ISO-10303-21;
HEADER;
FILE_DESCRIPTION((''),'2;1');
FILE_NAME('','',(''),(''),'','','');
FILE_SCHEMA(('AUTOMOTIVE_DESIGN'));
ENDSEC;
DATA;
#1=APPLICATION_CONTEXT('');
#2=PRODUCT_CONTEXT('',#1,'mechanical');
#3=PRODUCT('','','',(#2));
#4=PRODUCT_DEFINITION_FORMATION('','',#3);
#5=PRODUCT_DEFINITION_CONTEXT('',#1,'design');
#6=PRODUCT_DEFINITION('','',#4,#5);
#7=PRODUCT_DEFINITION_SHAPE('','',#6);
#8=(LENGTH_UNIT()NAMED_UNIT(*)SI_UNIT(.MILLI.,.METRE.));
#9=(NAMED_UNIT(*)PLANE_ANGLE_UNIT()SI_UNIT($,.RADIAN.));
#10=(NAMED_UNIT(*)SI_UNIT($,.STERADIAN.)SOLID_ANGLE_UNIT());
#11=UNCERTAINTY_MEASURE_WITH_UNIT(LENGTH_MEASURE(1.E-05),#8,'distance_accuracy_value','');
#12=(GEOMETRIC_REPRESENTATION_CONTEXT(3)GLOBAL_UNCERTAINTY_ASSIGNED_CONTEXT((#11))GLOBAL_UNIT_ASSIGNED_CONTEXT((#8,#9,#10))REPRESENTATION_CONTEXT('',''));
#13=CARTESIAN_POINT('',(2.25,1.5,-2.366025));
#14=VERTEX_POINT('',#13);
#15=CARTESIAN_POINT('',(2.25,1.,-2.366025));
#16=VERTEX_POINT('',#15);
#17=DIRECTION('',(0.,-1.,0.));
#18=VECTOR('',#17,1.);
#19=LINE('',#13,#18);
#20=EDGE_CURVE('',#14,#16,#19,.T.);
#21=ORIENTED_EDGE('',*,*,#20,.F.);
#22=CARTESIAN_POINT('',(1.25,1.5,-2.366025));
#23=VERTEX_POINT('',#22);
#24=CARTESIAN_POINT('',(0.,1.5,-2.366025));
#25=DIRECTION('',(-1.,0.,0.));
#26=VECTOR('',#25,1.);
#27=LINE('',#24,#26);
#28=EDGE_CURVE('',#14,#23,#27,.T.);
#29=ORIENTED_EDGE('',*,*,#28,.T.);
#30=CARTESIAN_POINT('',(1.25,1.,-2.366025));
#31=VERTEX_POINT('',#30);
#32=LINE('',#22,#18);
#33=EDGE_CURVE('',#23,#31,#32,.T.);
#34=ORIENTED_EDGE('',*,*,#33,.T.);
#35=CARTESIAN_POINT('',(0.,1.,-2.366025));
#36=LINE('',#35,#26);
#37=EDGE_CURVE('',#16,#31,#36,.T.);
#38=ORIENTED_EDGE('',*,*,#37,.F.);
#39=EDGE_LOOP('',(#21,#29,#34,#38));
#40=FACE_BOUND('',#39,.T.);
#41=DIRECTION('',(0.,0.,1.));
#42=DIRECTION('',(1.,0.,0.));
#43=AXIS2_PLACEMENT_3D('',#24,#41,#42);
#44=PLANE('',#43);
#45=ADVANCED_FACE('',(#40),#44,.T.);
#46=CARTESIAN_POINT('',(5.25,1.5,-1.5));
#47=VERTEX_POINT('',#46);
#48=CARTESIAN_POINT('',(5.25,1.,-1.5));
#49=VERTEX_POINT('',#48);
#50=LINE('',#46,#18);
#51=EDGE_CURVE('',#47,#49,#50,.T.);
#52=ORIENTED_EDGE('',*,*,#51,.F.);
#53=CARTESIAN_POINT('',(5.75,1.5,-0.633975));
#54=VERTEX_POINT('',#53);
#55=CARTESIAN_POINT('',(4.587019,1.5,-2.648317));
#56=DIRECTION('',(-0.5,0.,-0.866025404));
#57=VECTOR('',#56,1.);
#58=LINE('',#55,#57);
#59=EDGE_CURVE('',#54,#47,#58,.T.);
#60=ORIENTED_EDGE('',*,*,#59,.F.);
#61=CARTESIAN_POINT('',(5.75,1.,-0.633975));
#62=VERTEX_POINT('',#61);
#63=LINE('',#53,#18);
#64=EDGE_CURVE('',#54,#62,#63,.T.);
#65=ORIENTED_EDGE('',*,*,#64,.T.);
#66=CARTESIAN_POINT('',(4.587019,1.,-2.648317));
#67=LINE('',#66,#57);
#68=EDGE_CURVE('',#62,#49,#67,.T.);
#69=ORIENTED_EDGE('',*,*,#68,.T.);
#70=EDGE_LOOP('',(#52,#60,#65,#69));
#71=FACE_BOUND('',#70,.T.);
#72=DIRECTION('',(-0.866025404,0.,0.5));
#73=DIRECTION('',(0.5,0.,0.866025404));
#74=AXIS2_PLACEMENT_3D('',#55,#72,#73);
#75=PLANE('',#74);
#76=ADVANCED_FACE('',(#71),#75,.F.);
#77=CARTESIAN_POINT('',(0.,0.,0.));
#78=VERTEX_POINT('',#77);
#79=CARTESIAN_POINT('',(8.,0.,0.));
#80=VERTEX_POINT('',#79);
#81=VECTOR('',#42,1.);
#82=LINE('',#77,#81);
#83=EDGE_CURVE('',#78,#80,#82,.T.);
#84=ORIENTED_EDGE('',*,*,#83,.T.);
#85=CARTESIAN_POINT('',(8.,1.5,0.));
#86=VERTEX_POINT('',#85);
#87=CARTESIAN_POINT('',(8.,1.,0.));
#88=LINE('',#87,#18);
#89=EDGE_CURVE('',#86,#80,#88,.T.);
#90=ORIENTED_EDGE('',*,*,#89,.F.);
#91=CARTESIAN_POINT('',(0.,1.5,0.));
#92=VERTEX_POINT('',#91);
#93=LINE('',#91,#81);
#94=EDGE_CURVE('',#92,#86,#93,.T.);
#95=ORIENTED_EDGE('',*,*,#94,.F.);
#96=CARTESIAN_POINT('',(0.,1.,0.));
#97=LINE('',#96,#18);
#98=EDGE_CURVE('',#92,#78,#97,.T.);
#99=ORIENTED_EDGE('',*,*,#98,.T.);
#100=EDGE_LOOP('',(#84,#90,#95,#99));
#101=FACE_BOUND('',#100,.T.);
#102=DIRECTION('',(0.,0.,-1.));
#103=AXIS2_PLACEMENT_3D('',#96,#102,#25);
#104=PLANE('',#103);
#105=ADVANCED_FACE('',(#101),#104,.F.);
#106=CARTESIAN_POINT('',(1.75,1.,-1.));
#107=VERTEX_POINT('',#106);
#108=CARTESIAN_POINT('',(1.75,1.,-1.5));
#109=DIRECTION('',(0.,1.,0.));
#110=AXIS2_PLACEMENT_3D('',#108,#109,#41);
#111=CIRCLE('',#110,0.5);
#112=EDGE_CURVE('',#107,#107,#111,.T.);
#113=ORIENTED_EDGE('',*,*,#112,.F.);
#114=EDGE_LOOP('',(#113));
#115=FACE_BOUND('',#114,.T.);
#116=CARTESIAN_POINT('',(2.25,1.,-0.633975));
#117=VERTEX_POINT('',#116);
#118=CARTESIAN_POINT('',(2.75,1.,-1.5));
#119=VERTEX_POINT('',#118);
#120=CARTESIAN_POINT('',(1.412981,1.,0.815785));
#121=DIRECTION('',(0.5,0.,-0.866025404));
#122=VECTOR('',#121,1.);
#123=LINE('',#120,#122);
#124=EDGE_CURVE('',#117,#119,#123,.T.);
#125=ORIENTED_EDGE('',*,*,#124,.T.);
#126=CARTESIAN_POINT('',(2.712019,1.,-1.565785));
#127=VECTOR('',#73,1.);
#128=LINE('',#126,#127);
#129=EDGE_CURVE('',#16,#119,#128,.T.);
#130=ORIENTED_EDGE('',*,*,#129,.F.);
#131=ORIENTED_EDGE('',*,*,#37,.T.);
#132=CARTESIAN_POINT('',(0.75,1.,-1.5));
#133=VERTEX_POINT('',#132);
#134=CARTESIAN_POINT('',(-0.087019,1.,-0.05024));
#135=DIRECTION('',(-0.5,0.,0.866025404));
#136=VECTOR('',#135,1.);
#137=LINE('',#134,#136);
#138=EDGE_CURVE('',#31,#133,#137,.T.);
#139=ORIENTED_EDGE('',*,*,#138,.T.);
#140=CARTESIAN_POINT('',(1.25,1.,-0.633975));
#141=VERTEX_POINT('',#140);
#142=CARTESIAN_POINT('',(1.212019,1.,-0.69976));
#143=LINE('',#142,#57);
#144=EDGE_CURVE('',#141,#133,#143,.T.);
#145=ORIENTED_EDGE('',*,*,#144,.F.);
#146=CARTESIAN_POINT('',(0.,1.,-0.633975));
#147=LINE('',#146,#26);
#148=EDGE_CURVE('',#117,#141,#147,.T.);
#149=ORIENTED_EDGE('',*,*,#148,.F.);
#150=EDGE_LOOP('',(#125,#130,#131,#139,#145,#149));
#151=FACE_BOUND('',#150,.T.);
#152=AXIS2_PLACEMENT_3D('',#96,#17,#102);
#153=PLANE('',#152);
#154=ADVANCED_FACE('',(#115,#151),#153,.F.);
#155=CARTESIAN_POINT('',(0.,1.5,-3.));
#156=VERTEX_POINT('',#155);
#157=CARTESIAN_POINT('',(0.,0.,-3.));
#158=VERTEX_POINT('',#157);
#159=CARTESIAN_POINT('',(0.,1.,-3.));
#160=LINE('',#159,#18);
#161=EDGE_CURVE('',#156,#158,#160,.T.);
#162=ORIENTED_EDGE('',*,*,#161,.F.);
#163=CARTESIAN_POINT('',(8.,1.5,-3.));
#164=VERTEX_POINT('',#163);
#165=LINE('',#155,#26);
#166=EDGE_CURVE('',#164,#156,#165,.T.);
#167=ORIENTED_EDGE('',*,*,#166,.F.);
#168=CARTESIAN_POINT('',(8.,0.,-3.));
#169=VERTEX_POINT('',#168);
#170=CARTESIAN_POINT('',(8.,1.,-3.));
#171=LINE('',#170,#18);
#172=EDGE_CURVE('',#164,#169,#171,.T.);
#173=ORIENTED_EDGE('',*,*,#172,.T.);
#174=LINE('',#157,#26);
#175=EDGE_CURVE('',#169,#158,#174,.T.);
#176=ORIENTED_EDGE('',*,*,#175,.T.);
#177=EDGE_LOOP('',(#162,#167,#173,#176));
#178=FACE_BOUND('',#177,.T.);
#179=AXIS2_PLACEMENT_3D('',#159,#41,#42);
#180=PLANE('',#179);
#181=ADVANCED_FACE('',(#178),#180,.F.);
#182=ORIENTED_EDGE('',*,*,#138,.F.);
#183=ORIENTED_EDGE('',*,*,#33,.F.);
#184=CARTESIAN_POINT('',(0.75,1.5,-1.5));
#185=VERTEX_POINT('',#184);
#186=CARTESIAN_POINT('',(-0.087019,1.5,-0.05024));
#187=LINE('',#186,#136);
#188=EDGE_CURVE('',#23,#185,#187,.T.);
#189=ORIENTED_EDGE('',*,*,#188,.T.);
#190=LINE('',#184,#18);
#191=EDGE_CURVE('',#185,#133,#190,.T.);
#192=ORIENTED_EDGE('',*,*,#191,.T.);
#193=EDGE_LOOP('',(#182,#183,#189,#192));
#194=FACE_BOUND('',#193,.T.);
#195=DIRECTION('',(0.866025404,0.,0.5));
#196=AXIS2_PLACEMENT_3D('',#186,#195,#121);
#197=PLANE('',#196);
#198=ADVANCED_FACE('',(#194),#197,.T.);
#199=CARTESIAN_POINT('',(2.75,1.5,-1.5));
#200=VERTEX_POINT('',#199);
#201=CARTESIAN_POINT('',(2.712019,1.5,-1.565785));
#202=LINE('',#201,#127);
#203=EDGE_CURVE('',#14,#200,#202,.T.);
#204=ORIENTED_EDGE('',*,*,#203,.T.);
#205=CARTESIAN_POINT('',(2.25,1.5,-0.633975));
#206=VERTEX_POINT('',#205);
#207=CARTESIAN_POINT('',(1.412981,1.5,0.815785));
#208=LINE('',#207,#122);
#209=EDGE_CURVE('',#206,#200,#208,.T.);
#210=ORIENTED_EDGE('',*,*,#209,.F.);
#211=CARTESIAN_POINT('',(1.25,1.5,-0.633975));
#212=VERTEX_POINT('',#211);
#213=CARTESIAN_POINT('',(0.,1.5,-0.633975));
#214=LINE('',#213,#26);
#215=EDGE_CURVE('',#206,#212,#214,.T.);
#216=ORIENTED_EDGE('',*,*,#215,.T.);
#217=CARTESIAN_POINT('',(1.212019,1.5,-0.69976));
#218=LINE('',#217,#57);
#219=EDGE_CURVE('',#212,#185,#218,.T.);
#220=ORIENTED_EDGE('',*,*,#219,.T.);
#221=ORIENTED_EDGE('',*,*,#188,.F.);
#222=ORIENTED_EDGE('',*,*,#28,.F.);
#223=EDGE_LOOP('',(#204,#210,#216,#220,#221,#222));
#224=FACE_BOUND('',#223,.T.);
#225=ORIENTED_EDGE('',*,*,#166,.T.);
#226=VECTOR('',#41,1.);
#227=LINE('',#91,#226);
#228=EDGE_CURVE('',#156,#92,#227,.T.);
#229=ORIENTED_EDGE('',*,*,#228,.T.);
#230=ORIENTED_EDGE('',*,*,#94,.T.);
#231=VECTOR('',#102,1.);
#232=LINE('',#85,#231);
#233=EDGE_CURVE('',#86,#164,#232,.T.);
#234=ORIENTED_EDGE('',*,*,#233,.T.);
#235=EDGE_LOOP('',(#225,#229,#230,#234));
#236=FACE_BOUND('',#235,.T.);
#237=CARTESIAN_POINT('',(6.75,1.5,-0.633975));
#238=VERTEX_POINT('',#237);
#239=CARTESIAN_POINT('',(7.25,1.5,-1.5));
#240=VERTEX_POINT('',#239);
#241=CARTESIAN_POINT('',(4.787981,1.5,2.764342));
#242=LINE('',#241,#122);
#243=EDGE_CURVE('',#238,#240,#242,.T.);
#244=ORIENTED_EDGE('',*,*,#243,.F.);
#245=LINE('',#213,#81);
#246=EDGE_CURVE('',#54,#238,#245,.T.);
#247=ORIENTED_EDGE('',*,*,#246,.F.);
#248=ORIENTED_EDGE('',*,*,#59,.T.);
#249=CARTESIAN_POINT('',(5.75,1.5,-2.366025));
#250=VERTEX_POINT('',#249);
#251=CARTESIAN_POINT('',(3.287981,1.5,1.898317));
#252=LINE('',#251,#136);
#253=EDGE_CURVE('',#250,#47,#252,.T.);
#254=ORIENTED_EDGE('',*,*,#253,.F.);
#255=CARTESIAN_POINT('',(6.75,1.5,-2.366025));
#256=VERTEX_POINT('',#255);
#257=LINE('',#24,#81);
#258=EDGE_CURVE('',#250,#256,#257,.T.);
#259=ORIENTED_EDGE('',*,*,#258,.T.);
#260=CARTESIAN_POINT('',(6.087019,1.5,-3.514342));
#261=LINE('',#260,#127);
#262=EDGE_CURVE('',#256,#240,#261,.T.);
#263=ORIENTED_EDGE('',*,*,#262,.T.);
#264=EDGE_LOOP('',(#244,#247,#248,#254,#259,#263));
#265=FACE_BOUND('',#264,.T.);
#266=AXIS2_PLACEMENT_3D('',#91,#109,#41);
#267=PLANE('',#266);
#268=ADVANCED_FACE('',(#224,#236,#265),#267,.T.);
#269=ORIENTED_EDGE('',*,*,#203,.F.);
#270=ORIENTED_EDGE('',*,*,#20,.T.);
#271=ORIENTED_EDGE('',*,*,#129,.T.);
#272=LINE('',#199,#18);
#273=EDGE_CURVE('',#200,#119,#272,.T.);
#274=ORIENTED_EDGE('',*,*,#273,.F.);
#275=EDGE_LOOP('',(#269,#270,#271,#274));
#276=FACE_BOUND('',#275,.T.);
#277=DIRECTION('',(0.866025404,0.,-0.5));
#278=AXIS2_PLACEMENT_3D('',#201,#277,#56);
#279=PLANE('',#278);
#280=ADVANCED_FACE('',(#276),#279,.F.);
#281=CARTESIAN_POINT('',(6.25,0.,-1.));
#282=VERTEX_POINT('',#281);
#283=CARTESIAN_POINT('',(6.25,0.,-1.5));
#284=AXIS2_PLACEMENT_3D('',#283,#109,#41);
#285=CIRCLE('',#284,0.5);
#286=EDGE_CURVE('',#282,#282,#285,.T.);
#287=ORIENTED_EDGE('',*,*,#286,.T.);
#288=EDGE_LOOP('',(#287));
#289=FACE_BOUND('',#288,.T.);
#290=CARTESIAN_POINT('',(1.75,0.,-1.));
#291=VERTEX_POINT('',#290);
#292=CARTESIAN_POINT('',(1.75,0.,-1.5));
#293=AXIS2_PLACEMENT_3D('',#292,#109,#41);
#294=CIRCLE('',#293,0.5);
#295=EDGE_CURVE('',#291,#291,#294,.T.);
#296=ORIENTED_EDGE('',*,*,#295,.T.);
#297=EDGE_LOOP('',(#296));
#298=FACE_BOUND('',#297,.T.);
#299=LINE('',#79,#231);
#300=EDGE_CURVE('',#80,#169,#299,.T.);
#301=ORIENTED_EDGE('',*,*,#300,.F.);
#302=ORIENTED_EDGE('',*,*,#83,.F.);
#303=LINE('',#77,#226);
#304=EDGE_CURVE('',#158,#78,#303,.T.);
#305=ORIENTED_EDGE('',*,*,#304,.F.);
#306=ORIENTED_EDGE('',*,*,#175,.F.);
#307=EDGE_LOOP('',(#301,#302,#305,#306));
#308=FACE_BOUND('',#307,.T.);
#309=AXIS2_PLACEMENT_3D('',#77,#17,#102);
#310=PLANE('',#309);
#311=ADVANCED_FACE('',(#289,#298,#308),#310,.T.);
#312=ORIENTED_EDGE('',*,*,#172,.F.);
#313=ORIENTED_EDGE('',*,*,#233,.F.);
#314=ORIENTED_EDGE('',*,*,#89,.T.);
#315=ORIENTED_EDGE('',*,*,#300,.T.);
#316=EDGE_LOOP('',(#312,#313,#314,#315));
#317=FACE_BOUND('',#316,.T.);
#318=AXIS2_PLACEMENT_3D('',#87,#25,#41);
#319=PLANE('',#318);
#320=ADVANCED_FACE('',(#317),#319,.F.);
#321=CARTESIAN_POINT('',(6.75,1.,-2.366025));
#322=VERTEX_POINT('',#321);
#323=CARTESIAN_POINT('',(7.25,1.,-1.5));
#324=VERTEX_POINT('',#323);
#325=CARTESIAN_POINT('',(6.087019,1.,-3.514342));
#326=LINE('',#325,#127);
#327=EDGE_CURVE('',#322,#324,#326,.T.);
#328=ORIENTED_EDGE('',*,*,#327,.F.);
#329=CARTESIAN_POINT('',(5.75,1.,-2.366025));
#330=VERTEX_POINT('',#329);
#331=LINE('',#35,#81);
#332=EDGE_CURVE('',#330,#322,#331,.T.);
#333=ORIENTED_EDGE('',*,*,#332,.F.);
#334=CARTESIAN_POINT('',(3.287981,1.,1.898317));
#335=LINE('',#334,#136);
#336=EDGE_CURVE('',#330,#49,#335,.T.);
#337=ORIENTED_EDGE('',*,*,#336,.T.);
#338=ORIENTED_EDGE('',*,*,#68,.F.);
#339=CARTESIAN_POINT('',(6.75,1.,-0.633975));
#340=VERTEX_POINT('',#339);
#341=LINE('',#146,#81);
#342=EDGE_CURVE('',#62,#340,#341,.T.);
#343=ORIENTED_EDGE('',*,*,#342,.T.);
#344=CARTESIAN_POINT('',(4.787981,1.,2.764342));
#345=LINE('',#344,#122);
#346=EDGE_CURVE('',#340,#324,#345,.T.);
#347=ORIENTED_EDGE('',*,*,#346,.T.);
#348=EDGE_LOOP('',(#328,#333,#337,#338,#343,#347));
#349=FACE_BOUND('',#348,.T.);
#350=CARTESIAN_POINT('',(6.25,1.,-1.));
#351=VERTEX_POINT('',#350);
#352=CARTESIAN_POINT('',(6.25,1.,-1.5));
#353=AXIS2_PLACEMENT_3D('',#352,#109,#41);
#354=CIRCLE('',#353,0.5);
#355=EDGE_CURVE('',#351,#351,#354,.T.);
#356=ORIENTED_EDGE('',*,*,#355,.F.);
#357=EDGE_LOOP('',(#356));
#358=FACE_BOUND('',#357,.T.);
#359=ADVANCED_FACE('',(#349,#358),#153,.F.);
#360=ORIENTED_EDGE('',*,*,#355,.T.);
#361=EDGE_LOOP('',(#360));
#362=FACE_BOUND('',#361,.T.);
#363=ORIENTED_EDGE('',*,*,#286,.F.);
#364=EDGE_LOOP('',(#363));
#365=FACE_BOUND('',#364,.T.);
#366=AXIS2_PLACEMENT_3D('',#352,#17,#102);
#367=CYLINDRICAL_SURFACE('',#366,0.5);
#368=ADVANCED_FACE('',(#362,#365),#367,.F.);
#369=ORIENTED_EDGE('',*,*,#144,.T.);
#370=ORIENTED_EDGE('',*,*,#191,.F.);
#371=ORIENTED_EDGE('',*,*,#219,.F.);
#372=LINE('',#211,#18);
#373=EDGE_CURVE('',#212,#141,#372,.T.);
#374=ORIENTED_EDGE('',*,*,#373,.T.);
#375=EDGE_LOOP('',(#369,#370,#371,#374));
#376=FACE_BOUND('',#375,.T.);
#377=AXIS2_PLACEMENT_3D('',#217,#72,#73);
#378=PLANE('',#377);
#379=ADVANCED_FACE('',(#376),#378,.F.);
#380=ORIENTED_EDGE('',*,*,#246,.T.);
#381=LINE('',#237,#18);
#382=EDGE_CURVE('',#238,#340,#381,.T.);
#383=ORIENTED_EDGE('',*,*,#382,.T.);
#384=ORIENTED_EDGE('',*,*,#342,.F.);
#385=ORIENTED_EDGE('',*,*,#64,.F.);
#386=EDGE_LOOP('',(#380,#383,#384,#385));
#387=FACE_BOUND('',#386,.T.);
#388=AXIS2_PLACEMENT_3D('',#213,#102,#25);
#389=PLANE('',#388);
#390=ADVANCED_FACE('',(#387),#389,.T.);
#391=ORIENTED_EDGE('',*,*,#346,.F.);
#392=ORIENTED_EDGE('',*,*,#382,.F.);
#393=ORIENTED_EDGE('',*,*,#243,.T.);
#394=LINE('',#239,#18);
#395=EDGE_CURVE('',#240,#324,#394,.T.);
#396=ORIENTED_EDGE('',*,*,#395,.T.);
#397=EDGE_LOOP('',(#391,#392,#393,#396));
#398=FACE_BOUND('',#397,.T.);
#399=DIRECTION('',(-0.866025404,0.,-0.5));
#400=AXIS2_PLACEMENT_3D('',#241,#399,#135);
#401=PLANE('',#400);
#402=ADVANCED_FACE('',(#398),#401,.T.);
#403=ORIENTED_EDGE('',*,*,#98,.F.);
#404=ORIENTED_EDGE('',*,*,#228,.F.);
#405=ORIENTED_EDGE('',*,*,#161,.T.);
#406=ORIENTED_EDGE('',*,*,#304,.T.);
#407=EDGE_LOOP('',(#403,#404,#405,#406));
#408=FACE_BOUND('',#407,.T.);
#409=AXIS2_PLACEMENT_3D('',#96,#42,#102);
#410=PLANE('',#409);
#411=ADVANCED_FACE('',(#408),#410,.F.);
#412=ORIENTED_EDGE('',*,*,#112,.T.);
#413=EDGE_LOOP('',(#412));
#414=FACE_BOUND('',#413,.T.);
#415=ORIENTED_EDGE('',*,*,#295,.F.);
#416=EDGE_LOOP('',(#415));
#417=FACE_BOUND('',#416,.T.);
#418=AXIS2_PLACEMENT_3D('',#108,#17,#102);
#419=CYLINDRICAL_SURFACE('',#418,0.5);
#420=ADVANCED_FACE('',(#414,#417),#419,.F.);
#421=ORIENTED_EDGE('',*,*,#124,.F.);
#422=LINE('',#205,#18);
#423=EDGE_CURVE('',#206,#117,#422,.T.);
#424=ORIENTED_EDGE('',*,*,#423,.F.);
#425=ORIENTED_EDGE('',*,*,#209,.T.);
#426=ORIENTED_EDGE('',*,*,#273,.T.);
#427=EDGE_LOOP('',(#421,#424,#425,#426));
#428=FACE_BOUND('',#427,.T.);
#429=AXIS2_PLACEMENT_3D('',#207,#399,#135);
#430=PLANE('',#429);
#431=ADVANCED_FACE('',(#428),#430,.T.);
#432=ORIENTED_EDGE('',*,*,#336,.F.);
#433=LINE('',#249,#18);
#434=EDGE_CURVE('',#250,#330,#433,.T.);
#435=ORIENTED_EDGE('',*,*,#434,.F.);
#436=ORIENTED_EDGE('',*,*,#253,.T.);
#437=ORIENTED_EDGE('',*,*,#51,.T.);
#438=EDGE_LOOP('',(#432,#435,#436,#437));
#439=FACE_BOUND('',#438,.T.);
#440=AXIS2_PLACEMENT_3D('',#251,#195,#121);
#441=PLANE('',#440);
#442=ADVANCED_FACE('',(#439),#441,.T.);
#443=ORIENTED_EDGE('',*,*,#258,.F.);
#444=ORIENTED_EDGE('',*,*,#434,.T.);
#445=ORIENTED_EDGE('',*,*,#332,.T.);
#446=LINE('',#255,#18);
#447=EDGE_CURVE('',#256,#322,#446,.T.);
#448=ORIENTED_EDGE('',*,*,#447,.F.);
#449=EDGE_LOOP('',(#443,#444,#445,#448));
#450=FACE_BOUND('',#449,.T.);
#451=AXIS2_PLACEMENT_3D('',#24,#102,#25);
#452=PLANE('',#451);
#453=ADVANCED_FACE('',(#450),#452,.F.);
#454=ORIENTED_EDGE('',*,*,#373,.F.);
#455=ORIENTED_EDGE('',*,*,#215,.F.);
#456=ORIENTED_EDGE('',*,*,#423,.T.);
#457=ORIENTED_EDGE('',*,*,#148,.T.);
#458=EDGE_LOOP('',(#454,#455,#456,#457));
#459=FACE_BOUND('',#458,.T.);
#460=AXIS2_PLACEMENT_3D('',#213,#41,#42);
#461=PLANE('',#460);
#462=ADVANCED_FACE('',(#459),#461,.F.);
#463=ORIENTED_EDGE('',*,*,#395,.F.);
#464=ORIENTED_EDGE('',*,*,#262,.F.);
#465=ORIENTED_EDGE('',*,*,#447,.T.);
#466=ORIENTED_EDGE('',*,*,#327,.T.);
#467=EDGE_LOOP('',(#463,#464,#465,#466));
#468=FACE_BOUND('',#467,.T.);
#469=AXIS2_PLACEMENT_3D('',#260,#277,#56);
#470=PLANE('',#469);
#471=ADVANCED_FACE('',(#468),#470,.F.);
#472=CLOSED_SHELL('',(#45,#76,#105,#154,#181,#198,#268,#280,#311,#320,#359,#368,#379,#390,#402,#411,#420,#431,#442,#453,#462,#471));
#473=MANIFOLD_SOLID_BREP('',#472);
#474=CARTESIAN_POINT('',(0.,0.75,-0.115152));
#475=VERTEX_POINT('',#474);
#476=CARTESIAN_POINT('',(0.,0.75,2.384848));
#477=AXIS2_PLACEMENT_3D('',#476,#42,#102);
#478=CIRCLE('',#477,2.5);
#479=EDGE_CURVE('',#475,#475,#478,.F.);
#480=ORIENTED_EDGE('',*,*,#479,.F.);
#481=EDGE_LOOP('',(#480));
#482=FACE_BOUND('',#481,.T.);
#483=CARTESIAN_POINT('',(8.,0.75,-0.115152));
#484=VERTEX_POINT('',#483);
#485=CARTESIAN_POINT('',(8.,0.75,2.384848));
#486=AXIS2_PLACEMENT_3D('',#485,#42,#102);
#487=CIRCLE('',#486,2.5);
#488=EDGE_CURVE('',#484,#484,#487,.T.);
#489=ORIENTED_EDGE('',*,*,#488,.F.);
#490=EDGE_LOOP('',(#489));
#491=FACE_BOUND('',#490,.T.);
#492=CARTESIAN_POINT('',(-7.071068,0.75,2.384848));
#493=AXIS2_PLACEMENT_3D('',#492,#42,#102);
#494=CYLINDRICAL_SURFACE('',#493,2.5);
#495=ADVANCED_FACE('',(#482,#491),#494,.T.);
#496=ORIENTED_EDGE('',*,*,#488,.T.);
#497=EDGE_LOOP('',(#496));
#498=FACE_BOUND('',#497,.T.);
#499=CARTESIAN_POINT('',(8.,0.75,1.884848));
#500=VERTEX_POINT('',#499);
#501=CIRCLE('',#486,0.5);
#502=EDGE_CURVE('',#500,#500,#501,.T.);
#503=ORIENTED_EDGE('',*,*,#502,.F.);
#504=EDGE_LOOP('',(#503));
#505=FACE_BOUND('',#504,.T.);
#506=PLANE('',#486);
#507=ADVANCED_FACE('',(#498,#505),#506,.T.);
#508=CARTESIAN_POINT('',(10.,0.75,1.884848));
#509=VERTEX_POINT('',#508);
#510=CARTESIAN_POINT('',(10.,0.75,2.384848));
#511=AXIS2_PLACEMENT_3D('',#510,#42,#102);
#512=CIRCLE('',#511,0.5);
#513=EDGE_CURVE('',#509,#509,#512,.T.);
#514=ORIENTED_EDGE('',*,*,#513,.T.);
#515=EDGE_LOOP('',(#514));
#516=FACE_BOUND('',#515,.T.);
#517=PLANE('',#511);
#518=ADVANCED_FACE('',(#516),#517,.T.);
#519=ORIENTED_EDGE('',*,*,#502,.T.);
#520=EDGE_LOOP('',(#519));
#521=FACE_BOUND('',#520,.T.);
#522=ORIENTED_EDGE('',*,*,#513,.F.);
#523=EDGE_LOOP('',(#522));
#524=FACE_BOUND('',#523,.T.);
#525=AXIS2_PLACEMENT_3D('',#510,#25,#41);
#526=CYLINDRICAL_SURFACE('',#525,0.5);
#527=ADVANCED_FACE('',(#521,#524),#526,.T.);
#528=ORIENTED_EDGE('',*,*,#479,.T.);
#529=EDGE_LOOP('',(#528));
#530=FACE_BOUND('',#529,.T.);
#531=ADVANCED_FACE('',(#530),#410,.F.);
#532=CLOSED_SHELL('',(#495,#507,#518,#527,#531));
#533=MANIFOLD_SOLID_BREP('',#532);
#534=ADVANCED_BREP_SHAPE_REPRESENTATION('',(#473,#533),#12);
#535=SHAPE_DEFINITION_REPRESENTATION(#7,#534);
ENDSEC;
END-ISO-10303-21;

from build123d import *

# Parameters (mm, degrees)
SKETCH_1_W      = 8
SKETCH_1_H      = 3
SKETCH_1_R      = 0.5
EXTRUDE_1_DEPTH = 1
SKETCH_2_W      = 8
SKETCH_2_H      = 3
EXTRUDE_2_DEPTH = 0.5
SKETCH_3_R      = 2.5
EXTRUDE_3_DEPTH = 8
SKETCH_6_R      = 0.5
EXTRUDE_4_DEPTH = 2


with BuildPart() as part:
    # 草图1 → 凸台-拉伸1 (new body)
    with BuildSketch(Plane(origin=(0, 0, 0), x_dir=(1, 0, 0), z_dir=(0, 1, 0))):
        with Locations((4, 1.5)):
            Rectangle(SKETCH_1_W, SKETCH_1_H)
        with Locations(Location((1.75, 1.5, 0), (0, 0, 270))):
            Circle(SKETCH_1_R, mode=Mode.SUBTRACT)
        with Locations(Location((6.25, 1.5, 0), (0, 0, 270))):
            Circle(SKETCH_1_R, mode=Mode.SUBTRACT)
    extrude(amount=EXTRUDE_1_DEPTH)

    # 草图2 → 凸台-拉伸2 (add)
    with BuildSketch(Plane(origin=(0, 1, 0), x_dir=(1, 0, 0), z_dir=(0, 1, 0))):
        with Locations((4, 1.5)):
            Rectangle(SKETCH_2_W, SKETCH_2_H)
        Polygon((2.25, 0.633974596), (1.25, 0.633974596), (0.75, 1.5), (1.25, 2.366025404), (2.25, 2.366025404), (2.75, 1.5), align=None, mode=Mode.SUBTRACT)
        Polygon((5.75, 2.366025404), (5.25, 1.5), (5.75, 0.633974596), (6.75, 0.633974596), (7.25, 1.5), (6.75, 2.366025404), align=None, mode=Mode.SUBTRACT)
    extrude(amount=EXTRUDE_2_DEPTH)


with BuildPart() as body_2:
    # 草图3 → 凸台-拉伸3 (new body)
    with BuildSketch(Plane(origin=(8, 0, 0), x_dir=(0, 0, -1), z_dir=(1, 0, 0))):
        with Locations((-2.384848004, 0.75)):
            Circle(SKETCH_3_R)
    extrude(amount=-EXTRUDE_3_DEPTH)

    # 草图6 → 凸台-拉伸4 (add)
    with BuildSketch(Plane(origin=(8, 0, 0), x_dir=(0, 0, -1), z_dir=(1, 0, 0))):
        with Locations((-2.384848004, 0.75)):
            Circle(SKETCH_6_R)
    extrude(amount=EXTRUDE_4_DEPTH)


solid = Compound([part.part, body_2.part])
